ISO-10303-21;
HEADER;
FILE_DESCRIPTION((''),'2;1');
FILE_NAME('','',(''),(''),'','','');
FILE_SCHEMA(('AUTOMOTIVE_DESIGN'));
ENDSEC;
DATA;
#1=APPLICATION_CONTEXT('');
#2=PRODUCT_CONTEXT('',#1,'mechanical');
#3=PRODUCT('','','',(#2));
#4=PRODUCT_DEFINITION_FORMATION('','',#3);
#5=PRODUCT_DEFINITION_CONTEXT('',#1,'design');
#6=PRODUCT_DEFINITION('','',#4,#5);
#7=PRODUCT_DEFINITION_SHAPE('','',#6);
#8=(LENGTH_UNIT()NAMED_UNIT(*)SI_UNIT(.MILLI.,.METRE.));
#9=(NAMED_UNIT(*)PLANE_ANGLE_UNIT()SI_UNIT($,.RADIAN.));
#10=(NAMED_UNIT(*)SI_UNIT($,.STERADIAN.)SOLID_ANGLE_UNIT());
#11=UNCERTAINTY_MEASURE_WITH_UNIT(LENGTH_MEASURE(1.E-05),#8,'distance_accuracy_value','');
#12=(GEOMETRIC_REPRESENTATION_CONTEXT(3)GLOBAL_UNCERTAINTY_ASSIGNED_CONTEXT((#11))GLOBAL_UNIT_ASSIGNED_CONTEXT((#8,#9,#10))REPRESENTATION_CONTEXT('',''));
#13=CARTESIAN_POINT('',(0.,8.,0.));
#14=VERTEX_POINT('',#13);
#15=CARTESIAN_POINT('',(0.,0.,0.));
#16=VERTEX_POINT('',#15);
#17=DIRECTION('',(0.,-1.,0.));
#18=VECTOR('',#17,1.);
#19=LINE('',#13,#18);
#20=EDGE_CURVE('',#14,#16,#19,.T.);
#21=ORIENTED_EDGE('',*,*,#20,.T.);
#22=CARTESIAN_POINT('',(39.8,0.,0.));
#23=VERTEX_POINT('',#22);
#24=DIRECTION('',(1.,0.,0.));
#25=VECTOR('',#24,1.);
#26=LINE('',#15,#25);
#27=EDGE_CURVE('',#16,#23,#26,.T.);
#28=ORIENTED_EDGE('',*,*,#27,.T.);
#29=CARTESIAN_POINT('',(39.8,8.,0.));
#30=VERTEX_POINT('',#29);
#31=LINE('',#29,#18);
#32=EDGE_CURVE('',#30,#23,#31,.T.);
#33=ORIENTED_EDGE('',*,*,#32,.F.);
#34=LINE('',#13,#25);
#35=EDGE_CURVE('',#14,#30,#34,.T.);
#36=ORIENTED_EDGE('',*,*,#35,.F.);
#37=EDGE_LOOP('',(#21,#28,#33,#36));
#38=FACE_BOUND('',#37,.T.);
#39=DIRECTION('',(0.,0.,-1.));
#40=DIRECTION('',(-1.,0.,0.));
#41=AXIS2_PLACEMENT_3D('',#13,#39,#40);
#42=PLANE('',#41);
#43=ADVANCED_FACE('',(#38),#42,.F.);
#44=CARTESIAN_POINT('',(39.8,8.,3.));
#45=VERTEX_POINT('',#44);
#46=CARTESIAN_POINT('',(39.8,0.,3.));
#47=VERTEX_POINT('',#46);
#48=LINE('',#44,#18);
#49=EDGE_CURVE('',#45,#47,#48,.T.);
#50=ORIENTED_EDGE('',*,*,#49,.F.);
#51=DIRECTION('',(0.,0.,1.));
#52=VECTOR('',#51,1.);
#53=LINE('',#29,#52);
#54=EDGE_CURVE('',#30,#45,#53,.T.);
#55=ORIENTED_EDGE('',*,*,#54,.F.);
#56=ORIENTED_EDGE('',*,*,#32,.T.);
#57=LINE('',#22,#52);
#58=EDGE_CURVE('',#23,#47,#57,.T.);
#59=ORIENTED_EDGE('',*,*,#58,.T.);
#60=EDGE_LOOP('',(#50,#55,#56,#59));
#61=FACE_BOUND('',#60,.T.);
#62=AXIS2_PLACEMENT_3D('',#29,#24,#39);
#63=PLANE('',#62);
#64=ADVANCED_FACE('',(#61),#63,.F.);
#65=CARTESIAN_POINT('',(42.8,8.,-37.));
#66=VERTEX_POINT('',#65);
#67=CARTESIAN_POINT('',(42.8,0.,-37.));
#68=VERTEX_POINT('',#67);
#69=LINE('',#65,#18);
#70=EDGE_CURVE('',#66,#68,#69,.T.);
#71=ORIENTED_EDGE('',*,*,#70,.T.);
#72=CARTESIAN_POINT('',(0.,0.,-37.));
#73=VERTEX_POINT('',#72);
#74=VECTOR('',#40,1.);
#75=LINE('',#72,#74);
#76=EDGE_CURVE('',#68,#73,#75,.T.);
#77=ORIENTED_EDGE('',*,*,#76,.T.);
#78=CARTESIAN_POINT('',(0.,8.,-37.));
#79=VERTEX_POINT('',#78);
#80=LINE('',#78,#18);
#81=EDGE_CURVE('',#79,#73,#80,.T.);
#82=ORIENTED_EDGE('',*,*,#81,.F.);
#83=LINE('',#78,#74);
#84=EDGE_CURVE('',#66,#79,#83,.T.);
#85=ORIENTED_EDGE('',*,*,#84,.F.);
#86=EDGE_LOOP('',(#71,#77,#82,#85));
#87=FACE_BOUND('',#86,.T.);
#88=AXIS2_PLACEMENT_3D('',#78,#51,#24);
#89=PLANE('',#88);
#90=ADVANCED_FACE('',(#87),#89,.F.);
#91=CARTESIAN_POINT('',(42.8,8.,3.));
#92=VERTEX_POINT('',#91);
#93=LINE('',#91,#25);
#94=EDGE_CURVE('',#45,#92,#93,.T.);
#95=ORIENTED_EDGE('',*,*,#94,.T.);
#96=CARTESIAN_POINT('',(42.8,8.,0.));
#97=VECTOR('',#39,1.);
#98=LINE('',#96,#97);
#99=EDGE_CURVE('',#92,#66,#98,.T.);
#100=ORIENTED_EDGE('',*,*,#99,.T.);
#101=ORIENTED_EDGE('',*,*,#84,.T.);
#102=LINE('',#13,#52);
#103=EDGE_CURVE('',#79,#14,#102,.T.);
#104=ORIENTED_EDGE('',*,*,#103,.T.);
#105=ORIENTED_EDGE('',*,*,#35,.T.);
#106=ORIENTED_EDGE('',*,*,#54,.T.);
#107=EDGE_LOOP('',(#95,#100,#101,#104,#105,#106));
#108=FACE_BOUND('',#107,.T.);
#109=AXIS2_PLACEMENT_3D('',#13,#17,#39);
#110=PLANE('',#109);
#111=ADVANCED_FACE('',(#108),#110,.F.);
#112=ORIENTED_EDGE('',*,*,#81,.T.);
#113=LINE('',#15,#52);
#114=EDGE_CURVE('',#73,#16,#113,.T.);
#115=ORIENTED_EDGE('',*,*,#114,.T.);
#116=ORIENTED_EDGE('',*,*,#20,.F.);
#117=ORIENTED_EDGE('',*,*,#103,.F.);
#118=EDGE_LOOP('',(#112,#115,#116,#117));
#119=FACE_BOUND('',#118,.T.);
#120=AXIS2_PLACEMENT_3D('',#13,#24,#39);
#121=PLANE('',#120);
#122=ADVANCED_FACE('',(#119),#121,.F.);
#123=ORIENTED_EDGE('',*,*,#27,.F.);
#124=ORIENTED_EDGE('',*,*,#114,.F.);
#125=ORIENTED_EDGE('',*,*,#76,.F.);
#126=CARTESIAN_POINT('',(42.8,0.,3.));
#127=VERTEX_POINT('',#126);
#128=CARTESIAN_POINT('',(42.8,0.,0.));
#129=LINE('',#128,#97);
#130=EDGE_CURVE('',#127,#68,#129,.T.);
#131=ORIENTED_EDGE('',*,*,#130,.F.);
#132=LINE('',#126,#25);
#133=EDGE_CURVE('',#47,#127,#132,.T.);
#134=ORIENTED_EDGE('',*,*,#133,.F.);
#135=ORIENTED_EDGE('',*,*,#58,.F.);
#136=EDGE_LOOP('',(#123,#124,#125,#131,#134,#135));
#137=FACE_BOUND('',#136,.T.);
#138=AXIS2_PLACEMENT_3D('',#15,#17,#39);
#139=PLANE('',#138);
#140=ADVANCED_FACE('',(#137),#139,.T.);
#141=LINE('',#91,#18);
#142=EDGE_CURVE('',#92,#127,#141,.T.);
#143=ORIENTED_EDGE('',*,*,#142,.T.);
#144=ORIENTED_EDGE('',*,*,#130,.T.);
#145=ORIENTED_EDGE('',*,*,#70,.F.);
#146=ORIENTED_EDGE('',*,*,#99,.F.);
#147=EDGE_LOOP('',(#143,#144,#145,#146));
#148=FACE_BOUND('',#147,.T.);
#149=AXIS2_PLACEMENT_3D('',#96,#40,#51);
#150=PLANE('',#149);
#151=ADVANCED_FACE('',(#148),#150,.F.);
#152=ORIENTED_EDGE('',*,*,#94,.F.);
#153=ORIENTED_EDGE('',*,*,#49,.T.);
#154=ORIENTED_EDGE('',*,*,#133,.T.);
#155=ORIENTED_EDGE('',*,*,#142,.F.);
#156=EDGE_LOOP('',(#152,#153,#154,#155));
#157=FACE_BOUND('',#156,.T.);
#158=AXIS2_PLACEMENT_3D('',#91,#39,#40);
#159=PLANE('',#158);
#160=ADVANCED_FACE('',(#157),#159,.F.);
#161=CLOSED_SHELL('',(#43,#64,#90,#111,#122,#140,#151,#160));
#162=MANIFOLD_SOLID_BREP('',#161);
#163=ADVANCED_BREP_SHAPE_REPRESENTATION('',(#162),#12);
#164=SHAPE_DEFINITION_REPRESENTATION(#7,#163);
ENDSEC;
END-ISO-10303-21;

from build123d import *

# Parameters (mm, degrees)
BOSS_EXTRUDE1_DEPTH = 8


with BuildPart() as part:
    # Sketch1 → Boss-Extrude1 (new body)
    with BuildSketch(Plane(origin=(0, 0, 0), x_dir=(1, 0, 0), z_dir=(0, 1, 0))):
        Polygon((0, 0), (39.8, 0), (39.8, -3), (42.8, -3), (42.8, 0), (42.8, 37), (0, 37), align=None)
    extrude(amount=BOSS_EXTRUDE1_DEPTH)


solid = part.part
